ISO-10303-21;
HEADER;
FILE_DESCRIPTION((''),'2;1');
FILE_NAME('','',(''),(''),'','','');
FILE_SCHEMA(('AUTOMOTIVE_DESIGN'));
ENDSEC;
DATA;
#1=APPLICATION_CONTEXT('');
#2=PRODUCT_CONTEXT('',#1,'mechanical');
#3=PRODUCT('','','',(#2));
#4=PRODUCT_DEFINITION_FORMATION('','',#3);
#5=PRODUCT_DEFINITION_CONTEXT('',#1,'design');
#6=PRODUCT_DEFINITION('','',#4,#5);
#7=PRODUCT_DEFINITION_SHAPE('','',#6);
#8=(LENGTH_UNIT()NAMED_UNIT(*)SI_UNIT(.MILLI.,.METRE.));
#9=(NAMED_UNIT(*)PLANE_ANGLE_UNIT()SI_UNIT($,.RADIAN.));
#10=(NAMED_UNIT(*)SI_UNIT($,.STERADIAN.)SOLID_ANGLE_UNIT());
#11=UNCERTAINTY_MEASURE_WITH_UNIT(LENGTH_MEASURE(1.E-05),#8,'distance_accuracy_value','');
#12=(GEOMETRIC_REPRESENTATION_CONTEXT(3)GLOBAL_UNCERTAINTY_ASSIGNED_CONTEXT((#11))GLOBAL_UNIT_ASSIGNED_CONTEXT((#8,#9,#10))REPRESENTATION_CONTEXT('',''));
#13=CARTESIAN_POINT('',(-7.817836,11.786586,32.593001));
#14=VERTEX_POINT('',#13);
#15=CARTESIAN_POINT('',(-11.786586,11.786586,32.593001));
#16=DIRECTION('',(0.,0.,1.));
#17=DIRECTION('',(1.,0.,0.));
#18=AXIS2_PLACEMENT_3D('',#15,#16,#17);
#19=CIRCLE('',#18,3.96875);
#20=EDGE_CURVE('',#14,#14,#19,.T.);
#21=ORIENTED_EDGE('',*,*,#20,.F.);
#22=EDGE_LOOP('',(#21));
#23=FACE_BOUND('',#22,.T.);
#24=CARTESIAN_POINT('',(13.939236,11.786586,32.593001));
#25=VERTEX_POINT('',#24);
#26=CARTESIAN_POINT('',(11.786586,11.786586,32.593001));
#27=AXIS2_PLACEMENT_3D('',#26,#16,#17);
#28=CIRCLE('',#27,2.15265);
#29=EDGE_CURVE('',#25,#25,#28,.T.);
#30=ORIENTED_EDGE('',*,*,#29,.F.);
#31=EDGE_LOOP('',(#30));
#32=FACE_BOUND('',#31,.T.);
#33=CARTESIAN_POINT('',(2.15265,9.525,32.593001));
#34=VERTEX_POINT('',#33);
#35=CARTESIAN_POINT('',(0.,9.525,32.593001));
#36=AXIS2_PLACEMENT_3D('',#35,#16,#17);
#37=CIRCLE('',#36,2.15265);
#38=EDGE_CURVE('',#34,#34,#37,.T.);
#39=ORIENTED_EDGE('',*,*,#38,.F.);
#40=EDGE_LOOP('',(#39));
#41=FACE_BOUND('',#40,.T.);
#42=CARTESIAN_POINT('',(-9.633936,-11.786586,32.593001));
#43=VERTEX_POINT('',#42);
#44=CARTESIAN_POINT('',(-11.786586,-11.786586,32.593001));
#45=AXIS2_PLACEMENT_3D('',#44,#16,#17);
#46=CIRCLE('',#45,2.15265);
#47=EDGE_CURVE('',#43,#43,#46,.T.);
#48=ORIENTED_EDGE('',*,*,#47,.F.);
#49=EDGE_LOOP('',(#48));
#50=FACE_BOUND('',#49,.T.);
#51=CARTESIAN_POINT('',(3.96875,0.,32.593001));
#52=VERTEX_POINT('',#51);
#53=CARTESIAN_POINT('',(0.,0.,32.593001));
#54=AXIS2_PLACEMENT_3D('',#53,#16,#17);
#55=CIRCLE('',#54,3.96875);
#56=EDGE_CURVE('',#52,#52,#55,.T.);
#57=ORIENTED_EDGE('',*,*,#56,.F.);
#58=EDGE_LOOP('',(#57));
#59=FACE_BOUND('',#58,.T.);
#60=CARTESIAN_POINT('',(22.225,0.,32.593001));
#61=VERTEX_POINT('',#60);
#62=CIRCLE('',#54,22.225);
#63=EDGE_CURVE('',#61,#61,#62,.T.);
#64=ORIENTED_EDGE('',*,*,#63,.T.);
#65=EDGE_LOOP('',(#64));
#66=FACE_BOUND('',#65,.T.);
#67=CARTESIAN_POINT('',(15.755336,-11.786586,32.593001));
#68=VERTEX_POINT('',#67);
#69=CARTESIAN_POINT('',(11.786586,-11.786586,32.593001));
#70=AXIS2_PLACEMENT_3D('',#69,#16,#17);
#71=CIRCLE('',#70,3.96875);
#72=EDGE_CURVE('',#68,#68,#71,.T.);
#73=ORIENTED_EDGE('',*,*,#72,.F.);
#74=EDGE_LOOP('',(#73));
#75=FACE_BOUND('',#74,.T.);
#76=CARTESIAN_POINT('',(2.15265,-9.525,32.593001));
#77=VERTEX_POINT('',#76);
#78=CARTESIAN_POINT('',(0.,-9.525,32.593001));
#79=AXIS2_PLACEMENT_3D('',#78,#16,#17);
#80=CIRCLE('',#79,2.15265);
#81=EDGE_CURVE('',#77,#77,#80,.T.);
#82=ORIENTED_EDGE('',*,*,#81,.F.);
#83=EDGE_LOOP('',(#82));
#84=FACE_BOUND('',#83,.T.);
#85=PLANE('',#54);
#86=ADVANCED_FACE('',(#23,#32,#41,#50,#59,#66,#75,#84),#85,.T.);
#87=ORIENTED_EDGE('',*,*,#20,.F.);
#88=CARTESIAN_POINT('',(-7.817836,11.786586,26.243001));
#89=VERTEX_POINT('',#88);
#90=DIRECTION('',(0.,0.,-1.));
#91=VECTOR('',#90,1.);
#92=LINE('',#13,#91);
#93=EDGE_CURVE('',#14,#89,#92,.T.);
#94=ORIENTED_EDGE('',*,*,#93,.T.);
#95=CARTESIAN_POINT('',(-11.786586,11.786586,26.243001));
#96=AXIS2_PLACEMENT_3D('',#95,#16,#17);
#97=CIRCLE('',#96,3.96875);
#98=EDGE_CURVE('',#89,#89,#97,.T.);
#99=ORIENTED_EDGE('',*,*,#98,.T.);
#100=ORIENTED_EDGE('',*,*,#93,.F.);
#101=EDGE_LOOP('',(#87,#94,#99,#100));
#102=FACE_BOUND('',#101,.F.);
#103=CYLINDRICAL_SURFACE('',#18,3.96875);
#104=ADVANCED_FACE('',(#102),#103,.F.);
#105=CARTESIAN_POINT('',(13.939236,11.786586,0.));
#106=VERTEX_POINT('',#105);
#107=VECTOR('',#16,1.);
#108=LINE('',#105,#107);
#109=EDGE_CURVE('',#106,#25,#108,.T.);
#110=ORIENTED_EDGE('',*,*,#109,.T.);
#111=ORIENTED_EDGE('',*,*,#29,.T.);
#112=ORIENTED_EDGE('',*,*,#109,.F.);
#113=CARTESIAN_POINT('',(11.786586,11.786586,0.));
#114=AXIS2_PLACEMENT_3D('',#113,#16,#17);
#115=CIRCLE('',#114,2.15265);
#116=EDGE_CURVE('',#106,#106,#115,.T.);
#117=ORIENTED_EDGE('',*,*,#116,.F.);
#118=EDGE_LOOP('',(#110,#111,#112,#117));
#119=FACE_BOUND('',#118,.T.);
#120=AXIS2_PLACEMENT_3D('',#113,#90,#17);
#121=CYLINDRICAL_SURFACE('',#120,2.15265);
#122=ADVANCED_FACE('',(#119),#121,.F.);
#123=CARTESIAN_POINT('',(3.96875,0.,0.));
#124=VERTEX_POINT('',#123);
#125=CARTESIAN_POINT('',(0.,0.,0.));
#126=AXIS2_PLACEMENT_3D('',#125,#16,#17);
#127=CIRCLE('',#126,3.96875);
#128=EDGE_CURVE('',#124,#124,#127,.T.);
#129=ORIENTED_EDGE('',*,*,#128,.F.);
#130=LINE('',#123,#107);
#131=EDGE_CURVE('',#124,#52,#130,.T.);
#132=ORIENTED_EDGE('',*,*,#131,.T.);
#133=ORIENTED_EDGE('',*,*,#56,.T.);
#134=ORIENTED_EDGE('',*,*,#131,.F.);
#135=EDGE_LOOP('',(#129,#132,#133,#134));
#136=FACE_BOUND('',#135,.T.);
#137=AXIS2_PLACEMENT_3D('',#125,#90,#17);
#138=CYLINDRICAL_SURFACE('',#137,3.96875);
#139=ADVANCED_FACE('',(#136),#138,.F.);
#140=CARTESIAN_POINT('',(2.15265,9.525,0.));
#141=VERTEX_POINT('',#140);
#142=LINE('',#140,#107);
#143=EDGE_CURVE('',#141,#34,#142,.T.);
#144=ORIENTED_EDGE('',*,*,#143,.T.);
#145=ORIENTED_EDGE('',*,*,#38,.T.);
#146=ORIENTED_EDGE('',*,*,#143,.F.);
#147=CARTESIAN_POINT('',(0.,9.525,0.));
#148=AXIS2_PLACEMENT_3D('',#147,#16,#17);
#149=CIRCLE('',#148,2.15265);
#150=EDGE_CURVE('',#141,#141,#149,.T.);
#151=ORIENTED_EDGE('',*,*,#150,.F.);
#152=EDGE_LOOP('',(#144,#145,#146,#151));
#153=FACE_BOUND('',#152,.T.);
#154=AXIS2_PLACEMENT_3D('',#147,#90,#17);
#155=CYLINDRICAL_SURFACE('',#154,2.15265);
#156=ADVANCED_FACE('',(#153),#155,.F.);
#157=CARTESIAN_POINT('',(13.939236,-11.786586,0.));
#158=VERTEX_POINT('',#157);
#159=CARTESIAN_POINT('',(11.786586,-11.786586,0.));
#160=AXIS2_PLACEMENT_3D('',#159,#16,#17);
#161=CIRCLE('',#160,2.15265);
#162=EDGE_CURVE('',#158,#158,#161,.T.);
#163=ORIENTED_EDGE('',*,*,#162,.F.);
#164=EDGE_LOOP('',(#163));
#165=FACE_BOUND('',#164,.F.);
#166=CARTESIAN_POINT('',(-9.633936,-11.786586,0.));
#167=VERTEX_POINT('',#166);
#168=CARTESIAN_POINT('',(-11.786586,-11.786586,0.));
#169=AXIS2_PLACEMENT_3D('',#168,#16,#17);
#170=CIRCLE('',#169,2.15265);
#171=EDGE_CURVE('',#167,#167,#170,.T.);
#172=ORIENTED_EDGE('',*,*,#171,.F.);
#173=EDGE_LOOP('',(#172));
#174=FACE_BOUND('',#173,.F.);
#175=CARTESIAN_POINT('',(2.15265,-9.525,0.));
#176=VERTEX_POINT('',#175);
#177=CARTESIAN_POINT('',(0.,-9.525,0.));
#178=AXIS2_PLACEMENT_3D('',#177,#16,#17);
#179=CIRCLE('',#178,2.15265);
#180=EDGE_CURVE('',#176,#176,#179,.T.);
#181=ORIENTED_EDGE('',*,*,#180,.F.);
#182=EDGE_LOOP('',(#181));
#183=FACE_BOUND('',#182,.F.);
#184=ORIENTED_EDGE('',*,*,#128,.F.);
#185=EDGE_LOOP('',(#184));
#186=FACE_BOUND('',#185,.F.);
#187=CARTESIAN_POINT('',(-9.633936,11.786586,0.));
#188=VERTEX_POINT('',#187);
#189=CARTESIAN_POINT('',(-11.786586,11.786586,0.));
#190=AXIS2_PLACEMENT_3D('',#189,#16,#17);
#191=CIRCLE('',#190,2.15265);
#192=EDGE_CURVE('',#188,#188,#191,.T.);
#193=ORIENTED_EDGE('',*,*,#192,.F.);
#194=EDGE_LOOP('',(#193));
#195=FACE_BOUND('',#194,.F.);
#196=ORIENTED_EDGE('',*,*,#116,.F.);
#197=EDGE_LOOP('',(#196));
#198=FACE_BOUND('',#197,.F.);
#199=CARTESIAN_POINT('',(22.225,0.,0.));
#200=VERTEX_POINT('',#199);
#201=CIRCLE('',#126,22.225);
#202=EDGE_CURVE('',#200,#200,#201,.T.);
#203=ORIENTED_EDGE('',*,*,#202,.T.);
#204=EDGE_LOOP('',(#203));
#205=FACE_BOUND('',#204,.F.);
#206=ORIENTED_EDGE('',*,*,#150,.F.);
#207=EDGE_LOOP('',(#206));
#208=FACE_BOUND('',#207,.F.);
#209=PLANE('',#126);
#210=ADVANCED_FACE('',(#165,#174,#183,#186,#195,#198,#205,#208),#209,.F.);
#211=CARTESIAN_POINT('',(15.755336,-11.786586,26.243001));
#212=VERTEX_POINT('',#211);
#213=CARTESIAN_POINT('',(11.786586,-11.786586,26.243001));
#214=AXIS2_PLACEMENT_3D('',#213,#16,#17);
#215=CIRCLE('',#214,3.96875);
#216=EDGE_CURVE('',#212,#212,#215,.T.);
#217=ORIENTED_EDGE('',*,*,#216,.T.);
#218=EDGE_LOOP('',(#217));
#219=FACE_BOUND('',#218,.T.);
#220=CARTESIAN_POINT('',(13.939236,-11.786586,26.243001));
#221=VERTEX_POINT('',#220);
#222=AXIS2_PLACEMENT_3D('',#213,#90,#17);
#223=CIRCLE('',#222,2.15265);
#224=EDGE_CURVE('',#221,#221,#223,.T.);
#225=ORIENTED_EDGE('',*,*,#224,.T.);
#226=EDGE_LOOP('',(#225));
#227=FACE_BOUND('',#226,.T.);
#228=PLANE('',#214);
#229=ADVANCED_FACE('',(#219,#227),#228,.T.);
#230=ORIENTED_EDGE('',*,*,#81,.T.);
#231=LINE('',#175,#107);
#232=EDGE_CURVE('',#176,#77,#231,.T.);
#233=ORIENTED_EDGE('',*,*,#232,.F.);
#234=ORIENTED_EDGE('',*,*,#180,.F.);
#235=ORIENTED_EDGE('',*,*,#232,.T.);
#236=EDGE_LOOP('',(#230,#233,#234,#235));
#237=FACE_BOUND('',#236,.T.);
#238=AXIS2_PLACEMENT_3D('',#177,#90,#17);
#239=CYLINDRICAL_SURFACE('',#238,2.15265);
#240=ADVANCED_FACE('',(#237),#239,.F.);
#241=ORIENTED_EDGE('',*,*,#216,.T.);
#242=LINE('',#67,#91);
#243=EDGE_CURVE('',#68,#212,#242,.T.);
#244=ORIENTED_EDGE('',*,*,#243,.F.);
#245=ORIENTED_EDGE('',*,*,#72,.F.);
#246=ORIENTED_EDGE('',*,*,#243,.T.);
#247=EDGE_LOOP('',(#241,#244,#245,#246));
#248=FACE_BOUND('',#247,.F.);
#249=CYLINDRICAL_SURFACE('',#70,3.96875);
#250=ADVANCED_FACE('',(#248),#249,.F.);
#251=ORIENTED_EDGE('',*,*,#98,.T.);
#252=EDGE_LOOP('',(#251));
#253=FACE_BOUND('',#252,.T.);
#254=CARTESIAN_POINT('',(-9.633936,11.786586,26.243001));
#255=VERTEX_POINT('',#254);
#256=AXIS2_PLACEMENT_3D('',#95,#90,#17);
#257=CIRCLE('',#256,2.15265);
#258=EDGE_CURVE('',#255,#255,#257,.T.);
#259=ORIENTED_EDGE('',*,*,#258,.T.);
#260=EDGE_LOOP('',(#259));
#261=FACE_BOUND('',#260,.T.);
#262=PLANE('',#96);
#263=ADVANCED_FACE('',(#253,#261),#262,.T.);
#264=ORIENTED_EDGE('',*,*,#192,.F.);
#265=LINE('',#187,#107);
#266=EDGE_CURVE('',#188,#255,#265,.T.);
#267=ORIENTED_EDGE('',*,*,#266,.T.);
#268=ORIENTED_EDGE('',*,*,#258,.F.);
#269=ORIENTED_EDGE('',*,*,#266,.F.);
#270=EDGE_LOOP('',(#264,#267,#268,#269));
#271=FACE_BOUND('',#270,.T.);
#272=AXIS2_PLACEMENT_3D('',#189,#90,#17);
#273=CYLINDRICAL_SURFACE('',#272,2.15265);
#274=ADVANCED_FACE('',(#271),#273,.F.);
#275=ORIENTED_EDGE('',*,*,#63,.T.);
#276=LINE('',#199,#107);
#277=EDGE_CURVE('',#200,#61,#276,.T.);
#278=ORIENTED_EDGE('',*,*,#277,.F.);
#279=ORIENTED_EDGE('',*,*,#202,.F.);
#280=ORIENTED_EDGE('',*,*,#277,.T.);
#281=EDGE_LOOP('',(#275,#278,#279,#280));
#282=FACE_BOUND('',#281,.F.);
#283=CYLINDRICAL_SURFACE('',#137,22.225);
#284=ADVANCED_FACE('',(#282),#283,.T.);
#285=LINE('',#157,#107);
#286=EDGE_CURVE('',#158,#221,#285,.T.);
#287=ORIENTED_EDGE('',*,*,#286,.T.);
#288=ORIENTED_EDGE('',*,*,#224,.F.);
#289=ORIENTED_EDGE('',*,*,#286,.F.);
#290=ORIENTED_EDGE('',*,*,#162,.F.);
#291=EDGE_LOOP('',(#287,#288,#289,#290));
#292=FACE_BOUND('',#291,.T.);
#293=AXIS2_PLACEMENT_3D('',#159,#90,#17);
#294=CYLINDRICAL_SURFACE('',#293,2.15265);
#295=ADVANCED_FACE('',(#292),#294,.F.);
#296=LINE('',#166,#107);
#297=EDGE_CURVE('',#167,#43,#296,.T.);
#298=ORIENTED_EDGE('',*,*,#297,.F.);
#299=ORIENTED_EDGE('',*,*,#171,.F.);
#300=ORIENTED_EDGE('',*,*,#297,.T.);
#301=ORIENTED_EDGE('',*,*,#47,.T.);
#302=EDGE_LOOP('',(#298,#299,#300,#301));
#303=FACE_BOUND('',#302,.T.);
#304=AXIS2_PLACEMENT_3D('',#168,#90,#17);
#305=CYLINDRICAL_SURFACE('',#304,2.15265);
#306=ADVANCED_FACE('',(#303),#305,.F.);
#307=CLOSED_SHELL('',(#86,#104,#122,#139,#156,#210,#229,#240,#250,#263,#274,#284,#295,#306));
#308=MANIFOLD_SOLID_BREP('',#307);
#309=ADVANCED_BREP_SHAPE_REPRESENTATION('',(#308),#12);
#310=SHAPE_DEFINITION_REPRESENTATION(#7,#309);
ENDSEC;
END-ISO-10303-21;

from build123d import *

# Parameters (mm, degrees)
F0_R     = 22.225
F0_R_2   = 2.15265
F0_R_3   = 3.96875
F1_DEPTH = 32.593001
F2_R     = 3.96875
F3_DEPTH = 6.35


with BuildPart() as f1:
    # F0 (on Top) → F1 (new body)
    with BuildSketch(Plane.XY):
        Circle(F0_R)
        with Locations((-11.786586, -11.786586)):
            Circle(F0_R_2, mode=Mode.SUBTRACT)
        with Locations((11.786586, -11.786586)):
            Circle(F0_R_2, mode=Mode.SUBTRACT)
        with Locations((0, -9.525)):
            Circle(F0_R_2, mode=Mode.SUBTRACT)
        with Locations((-11.786586, 11.786586)):
            Circle(F0_R_2, mode=Mode.SUBTRACT)
        Circle(F0_R_3, mode=Mode.SUBTRACT)
        with Locations((0, 9.525)):
            Circle(F0_R_2, mode=Mode.SUBTRACT)
        with Locations((11.786586, 11.786586)):
            Circle(F0_R_2, mode=Mode.SUBTRACT)
    extrude(amount=F1_DEPTH)

    # F2 (on face) → F3 (cut)
    with BuildSketch(Plane.XY.offset(32.593001)):
        with Locations((-11.786586, 11.786586)):
            Circle(F2_R)
        with Locations((11.786586, -11.786586)):
            Circle(F2_R)
    extrude(amount=-F3_DEPTH, mode=Mode.SUBTRACT)


solid = f1.part
